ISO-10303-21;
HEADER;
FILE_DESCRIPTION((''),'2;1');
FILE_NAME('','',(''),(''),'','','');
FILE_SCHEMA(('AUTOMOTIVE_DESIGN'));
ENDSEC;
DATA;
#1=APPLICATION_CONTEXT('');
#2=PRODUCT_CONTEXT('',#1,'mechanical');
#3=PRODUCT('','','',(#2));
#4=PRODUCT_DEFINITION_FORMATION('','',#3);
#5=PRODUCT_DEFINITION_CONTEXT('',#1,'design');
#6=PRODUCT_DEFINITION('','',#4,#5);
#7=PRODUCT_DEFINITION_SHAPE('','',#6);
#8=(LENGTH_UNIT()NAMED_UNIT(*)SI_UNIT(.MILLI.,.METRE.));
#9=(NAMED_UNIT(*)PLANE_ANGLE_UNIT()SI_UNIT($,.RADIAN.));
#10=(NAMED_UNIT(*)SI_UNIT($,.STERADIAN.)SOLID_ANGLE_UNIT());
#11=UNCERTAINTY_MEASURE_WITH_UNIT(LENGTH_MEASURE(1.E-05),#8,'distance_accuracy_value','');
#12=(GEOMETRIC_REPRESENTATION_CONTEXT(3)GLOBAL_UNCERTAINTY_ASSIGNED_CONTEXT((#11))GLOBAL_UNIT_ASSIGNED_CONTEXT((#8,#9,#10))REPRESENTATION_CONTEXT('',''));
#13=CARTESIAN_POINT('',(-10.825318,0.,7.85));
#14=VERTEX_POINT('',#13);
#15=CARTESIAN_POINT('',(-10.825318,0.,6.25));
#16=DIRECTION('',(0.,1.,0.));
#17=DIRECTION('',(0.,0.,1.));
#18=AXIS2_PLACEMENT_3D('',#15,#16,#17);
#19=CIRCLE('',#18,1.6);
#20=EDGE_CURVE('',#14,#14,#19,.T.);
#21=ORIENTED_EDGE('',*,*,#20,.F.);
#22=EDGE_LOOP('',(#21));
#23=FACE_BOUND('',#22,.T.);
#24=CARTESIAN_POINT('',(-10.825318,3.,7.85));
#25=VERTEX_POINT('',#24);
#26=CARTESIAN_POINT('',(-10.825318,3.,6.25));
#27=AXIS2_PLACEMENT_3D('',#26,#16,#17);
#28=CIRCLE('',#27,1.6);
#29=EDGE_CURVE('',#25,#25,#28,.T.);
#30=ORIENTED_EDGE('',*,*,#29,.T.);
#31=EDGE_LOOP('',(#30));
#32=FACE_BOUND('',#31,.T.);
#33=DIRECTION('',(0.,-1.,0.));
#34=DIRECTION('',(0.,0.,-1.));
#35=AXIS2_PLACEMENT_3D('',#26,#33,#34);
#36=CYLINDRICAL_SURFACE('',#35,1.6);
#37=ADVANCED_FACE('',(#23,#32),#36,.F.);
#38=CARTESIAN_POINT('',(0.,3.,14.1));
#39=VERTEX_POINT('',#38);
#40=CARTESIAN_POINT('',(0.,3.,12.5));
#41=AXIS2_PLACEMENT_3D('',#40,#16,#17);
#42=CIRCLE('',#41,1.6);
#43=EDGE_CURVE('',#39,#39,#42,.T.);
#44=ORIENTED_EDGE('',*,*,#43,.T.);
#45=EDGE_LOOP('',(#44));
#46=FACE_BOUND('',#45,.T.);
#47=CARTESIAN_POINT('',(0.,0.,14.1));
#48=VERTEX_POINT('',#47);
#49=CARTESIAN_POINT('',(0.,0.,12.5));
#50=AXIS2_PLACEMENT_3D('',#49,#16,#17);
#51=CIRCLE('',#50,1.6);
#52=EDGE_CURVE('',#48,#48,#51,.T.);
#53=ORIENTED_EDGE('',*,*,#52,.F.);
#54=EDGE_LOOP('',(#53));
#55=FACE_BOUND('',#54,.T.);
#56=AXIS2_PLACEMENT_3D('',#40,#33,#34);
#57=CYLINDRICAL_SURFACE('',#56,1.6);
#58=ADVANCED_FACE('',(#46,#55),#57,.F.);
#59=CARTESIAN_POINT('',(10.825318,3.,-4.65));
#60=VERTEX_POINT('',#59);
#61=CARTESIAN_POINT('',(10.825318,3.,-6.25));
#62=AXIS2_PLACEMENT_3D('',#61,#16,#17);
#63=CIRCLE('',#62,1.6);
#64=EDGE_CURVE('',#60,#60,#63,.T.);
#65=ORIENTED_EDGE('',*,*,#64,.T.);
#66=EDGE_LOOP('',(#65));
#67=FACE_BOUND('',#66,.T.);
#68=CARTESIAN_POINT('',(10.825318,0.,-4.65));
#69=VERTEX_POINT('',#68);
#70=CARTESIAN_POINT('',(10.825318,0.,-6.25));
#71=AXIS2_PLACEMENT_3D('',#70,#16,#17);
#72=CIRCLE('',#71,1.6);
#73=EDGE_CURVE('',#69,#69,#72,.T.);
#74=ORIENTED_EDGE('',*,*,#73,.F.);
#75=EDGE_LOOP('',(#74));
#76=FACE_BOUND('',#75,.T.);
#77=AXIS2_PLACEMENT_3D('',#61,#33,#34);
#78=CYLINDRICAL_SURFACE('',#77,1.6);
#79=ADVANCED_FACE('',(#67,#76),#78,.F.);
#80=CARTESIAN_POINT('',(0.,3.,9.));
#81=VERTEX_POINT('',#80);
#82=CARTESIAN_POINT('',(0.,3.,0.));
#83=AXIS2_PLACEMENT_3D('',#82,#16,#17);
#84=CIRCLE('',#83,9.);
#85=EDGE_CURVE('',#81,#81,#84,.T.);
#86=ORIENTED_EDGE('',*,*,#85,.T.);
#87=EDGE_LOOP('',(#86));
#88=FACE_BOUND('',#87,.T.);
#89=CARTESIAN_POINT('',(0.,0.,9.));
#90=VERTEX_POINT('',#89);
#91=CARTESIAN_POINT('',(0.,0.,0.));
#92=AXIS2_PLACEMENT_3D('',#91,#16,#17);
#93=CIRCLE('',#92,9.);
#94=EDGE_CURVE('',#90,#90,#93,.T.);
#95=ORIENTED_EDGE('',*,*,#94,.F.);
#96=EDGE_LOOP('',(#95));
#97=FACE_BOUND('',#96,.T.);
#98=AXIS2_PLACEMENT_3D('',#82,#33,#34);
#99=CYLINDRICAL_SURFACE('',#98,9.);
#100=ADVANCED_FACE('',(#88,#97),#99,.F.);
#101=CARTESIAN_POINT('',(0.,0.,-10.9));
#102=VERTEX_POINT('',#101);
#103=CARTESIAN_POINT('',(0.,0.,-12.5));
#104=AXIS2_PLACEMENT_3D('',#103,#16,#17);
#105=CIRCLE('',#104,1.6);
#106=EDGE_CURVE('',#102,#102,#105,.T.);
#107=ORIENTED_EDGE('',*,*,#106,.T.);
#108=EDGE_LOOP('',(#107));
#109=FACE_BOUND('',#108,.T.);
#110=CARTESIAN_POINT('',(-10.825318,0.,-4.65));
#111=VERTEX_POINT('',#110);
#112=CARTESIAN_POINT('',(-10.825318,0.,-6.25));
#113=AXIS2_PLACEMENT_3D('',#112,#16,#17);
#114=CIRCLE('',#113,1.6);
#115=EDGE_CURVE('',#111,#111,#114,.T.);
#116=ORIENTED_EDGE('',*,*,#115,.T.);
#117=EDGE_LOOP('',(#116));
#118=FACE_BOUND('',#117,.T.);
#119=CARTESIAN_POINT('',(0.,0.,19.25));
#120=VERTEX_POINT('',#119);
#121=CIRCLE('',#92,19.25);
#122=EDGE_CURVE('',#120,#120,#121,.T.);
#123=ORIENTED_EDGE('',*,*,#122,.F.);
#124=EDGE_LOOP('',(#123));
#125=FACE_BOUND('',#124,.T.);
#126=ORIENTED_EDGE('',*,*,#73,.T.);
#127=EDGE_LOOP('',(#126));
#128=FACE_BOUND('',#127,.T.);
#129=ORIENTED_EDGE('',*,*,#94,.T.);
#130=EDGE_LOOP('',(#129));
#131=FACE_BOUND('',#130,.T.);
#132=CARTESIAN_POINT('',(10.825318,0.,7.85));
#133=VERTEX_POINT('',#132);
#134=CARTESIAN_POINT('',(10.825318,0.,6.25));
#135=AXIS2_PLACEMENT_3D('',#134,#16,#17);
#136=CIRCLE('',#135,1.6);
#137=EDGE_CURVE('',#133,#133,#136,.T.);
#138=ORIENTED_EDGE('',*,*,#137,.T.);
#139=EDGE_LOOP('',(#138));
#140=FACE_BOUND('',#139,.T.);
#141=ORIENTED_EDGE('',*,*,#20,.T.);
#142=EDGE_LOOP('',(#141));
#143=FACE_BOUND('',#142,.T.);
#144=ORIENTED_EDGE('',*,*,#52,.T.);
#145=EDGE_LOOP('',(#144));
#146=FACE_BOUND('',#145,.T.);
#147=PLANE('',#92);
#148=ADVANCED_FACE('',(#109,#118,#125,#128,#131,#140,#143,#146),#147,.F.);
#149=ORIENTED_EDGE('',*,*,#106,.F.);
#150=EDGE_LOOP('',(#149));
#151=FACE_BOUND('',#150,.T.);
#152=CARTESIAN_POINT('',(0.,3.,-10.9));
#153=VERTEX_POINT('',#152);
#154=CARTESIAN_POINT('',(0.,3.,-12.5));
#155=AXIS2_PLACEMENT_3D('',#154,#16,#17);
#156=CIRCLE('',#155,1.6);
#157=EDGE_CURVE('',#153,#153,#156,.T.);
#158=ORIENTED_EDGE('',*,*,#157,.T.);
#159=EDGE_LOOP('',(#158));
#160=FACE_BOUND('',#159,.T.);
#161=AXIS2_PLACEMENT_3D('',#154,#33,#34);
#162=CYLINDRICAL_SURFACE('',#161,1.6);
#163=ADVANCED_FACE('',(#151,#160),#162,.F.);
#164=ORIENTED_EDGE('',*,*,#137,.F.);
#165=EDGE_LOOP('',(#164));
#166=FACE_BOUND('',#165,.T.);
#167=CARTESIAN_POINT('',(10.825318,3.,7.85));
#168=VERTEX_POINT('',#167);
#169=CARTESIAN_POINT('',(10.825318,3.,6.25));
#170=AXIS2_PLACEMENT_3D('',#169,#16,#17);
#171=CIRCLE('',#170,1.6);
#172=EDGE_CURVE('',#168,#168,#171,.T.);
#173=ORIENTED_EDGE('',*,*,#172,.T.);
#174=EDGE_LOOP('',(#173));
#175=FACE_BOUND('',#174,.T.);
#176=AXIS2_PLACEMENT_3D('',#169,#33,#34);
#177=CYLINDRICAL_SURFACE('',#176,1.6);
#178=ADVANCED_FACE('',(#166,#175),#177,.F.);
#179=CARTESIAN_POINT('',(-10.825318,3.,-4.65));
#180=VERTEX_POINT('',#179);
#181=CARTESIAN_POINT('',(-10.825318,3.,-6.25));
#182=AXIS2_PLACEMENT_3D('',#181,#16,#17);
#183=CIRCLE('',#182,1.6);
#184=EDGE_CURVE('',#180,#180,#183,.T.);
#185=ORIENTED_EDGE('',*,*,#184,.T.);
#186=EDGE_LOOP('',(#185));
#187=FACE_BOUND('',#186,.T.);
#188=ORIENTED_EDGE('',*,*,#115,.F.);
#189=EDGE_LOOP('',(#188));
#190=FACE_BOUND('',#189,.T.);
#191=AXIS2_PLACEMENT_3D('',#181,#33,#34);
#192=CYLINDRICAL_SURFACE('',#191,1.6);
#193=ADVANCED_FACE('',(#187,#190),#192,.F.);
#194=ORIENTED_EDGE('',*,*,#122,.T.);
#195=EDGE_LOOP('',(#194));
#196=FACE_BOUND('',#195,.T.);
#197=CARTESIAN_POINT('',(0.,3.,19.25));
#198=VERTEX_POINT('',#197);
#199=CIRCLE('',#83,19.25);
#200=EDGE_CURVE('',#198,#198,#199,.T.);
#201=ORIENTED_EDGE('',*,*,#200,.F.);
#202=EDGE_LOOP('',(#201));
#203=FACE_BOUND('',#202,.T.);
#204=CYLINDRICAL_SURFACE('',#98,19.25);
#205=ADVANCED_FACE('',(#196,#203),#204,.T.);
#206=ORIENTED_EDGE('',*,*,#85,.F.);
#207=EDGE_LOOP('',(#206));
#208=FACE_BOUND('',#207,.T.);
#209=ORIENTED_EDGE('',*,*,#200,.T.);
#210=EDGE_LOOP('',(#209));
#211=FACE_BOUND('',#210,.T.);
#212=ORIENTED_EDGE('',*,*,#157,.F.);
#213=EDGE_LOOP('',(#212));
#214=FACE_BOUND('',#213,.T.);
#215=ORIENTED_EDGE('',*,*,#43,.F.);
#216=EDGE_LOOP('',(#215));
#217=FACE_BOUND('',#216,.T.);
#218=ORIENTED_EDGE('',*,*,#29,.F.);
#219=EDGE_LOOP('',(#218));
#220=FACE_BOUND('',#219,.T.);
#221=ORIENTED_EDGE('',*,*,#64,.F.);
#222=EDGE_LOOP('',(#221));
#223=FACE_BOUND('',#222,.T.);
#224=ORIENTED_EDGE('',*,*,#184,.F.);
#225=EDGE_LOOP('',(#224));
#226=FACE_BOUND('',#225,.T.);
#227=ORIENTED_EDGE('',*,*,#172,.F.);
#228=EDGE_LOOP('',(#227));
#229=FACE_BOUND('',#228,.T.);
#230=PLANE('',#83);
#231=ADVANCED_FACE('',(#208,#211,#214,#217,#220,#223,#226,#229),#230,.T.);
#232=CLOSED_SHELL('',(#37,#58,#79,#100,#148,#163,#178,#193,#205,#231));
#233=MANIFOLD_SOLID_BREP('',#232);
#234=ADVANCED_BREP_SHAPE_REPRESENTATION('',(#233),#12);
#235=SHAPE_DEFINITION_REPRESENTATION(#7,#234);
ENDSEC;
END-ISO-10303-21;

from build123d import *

# Parameters (mm, degrees)
SKETCH1_R           = 19.25
SKETCH1_R_2         = 9
SKETCH1_R_3         = 1.6
BOSS_EXTRUDE1_DEPTH = 3


with BuildPart() as part:
    # Sketch1 → Boss-Extrude1 (new body)
    with BuildSketch(Plane(origin=(0, 0, 0), x_dir=(1, 0, 0), z_dir=(0, 1, 0))):
        with Locations(Location((0, 0, 0), (0, 0, 270))):
            Circle(SKETCH1_R)
        with Locations(Location((0, 0, 0), (0, 0, 270))):
            Circle(SKETCH1_R_2, mode=Mode.SUBTRACT)
        with Locations(Location((0, 12.5, 0), (0, 0, 270))):
            Circle(SKETCH1_R_3, mode=Mode.SUBTRACT)
        with Locations(Location((10.825317547, 6.25, 0), (0, 0, 270))):
            Circle(SKETCH1_R_3, mode=Mode.SUBTRACT)
        with Locations(Location((10.825317547, -6.25, 0), (0, 0, 270))):
            Circle(SKETCH1_R_3, mode=Mode.SUBTRACT)
        with Locations(Location((0, -12.5, 0), (0, 0, 270))):
            Circle(SKETCH1_R_3, mode=Mode.SUBTRACT)
        with Locations(Location((-10.825317547, -6.25, 0), (0, 0, 270))):
            Circle(SKETCH1_R_3, mode=Mode.SUBTRACT)
        with Locations(Location((-10.825317547, 6.25, 0), (0, 0, 270))):
            Circle(SKETCH1_R_3, mode=Mode.SUBTRACT)
    extrude(amount=BOSS_EXTRUDE1_DEPTH)


solid = part.part
